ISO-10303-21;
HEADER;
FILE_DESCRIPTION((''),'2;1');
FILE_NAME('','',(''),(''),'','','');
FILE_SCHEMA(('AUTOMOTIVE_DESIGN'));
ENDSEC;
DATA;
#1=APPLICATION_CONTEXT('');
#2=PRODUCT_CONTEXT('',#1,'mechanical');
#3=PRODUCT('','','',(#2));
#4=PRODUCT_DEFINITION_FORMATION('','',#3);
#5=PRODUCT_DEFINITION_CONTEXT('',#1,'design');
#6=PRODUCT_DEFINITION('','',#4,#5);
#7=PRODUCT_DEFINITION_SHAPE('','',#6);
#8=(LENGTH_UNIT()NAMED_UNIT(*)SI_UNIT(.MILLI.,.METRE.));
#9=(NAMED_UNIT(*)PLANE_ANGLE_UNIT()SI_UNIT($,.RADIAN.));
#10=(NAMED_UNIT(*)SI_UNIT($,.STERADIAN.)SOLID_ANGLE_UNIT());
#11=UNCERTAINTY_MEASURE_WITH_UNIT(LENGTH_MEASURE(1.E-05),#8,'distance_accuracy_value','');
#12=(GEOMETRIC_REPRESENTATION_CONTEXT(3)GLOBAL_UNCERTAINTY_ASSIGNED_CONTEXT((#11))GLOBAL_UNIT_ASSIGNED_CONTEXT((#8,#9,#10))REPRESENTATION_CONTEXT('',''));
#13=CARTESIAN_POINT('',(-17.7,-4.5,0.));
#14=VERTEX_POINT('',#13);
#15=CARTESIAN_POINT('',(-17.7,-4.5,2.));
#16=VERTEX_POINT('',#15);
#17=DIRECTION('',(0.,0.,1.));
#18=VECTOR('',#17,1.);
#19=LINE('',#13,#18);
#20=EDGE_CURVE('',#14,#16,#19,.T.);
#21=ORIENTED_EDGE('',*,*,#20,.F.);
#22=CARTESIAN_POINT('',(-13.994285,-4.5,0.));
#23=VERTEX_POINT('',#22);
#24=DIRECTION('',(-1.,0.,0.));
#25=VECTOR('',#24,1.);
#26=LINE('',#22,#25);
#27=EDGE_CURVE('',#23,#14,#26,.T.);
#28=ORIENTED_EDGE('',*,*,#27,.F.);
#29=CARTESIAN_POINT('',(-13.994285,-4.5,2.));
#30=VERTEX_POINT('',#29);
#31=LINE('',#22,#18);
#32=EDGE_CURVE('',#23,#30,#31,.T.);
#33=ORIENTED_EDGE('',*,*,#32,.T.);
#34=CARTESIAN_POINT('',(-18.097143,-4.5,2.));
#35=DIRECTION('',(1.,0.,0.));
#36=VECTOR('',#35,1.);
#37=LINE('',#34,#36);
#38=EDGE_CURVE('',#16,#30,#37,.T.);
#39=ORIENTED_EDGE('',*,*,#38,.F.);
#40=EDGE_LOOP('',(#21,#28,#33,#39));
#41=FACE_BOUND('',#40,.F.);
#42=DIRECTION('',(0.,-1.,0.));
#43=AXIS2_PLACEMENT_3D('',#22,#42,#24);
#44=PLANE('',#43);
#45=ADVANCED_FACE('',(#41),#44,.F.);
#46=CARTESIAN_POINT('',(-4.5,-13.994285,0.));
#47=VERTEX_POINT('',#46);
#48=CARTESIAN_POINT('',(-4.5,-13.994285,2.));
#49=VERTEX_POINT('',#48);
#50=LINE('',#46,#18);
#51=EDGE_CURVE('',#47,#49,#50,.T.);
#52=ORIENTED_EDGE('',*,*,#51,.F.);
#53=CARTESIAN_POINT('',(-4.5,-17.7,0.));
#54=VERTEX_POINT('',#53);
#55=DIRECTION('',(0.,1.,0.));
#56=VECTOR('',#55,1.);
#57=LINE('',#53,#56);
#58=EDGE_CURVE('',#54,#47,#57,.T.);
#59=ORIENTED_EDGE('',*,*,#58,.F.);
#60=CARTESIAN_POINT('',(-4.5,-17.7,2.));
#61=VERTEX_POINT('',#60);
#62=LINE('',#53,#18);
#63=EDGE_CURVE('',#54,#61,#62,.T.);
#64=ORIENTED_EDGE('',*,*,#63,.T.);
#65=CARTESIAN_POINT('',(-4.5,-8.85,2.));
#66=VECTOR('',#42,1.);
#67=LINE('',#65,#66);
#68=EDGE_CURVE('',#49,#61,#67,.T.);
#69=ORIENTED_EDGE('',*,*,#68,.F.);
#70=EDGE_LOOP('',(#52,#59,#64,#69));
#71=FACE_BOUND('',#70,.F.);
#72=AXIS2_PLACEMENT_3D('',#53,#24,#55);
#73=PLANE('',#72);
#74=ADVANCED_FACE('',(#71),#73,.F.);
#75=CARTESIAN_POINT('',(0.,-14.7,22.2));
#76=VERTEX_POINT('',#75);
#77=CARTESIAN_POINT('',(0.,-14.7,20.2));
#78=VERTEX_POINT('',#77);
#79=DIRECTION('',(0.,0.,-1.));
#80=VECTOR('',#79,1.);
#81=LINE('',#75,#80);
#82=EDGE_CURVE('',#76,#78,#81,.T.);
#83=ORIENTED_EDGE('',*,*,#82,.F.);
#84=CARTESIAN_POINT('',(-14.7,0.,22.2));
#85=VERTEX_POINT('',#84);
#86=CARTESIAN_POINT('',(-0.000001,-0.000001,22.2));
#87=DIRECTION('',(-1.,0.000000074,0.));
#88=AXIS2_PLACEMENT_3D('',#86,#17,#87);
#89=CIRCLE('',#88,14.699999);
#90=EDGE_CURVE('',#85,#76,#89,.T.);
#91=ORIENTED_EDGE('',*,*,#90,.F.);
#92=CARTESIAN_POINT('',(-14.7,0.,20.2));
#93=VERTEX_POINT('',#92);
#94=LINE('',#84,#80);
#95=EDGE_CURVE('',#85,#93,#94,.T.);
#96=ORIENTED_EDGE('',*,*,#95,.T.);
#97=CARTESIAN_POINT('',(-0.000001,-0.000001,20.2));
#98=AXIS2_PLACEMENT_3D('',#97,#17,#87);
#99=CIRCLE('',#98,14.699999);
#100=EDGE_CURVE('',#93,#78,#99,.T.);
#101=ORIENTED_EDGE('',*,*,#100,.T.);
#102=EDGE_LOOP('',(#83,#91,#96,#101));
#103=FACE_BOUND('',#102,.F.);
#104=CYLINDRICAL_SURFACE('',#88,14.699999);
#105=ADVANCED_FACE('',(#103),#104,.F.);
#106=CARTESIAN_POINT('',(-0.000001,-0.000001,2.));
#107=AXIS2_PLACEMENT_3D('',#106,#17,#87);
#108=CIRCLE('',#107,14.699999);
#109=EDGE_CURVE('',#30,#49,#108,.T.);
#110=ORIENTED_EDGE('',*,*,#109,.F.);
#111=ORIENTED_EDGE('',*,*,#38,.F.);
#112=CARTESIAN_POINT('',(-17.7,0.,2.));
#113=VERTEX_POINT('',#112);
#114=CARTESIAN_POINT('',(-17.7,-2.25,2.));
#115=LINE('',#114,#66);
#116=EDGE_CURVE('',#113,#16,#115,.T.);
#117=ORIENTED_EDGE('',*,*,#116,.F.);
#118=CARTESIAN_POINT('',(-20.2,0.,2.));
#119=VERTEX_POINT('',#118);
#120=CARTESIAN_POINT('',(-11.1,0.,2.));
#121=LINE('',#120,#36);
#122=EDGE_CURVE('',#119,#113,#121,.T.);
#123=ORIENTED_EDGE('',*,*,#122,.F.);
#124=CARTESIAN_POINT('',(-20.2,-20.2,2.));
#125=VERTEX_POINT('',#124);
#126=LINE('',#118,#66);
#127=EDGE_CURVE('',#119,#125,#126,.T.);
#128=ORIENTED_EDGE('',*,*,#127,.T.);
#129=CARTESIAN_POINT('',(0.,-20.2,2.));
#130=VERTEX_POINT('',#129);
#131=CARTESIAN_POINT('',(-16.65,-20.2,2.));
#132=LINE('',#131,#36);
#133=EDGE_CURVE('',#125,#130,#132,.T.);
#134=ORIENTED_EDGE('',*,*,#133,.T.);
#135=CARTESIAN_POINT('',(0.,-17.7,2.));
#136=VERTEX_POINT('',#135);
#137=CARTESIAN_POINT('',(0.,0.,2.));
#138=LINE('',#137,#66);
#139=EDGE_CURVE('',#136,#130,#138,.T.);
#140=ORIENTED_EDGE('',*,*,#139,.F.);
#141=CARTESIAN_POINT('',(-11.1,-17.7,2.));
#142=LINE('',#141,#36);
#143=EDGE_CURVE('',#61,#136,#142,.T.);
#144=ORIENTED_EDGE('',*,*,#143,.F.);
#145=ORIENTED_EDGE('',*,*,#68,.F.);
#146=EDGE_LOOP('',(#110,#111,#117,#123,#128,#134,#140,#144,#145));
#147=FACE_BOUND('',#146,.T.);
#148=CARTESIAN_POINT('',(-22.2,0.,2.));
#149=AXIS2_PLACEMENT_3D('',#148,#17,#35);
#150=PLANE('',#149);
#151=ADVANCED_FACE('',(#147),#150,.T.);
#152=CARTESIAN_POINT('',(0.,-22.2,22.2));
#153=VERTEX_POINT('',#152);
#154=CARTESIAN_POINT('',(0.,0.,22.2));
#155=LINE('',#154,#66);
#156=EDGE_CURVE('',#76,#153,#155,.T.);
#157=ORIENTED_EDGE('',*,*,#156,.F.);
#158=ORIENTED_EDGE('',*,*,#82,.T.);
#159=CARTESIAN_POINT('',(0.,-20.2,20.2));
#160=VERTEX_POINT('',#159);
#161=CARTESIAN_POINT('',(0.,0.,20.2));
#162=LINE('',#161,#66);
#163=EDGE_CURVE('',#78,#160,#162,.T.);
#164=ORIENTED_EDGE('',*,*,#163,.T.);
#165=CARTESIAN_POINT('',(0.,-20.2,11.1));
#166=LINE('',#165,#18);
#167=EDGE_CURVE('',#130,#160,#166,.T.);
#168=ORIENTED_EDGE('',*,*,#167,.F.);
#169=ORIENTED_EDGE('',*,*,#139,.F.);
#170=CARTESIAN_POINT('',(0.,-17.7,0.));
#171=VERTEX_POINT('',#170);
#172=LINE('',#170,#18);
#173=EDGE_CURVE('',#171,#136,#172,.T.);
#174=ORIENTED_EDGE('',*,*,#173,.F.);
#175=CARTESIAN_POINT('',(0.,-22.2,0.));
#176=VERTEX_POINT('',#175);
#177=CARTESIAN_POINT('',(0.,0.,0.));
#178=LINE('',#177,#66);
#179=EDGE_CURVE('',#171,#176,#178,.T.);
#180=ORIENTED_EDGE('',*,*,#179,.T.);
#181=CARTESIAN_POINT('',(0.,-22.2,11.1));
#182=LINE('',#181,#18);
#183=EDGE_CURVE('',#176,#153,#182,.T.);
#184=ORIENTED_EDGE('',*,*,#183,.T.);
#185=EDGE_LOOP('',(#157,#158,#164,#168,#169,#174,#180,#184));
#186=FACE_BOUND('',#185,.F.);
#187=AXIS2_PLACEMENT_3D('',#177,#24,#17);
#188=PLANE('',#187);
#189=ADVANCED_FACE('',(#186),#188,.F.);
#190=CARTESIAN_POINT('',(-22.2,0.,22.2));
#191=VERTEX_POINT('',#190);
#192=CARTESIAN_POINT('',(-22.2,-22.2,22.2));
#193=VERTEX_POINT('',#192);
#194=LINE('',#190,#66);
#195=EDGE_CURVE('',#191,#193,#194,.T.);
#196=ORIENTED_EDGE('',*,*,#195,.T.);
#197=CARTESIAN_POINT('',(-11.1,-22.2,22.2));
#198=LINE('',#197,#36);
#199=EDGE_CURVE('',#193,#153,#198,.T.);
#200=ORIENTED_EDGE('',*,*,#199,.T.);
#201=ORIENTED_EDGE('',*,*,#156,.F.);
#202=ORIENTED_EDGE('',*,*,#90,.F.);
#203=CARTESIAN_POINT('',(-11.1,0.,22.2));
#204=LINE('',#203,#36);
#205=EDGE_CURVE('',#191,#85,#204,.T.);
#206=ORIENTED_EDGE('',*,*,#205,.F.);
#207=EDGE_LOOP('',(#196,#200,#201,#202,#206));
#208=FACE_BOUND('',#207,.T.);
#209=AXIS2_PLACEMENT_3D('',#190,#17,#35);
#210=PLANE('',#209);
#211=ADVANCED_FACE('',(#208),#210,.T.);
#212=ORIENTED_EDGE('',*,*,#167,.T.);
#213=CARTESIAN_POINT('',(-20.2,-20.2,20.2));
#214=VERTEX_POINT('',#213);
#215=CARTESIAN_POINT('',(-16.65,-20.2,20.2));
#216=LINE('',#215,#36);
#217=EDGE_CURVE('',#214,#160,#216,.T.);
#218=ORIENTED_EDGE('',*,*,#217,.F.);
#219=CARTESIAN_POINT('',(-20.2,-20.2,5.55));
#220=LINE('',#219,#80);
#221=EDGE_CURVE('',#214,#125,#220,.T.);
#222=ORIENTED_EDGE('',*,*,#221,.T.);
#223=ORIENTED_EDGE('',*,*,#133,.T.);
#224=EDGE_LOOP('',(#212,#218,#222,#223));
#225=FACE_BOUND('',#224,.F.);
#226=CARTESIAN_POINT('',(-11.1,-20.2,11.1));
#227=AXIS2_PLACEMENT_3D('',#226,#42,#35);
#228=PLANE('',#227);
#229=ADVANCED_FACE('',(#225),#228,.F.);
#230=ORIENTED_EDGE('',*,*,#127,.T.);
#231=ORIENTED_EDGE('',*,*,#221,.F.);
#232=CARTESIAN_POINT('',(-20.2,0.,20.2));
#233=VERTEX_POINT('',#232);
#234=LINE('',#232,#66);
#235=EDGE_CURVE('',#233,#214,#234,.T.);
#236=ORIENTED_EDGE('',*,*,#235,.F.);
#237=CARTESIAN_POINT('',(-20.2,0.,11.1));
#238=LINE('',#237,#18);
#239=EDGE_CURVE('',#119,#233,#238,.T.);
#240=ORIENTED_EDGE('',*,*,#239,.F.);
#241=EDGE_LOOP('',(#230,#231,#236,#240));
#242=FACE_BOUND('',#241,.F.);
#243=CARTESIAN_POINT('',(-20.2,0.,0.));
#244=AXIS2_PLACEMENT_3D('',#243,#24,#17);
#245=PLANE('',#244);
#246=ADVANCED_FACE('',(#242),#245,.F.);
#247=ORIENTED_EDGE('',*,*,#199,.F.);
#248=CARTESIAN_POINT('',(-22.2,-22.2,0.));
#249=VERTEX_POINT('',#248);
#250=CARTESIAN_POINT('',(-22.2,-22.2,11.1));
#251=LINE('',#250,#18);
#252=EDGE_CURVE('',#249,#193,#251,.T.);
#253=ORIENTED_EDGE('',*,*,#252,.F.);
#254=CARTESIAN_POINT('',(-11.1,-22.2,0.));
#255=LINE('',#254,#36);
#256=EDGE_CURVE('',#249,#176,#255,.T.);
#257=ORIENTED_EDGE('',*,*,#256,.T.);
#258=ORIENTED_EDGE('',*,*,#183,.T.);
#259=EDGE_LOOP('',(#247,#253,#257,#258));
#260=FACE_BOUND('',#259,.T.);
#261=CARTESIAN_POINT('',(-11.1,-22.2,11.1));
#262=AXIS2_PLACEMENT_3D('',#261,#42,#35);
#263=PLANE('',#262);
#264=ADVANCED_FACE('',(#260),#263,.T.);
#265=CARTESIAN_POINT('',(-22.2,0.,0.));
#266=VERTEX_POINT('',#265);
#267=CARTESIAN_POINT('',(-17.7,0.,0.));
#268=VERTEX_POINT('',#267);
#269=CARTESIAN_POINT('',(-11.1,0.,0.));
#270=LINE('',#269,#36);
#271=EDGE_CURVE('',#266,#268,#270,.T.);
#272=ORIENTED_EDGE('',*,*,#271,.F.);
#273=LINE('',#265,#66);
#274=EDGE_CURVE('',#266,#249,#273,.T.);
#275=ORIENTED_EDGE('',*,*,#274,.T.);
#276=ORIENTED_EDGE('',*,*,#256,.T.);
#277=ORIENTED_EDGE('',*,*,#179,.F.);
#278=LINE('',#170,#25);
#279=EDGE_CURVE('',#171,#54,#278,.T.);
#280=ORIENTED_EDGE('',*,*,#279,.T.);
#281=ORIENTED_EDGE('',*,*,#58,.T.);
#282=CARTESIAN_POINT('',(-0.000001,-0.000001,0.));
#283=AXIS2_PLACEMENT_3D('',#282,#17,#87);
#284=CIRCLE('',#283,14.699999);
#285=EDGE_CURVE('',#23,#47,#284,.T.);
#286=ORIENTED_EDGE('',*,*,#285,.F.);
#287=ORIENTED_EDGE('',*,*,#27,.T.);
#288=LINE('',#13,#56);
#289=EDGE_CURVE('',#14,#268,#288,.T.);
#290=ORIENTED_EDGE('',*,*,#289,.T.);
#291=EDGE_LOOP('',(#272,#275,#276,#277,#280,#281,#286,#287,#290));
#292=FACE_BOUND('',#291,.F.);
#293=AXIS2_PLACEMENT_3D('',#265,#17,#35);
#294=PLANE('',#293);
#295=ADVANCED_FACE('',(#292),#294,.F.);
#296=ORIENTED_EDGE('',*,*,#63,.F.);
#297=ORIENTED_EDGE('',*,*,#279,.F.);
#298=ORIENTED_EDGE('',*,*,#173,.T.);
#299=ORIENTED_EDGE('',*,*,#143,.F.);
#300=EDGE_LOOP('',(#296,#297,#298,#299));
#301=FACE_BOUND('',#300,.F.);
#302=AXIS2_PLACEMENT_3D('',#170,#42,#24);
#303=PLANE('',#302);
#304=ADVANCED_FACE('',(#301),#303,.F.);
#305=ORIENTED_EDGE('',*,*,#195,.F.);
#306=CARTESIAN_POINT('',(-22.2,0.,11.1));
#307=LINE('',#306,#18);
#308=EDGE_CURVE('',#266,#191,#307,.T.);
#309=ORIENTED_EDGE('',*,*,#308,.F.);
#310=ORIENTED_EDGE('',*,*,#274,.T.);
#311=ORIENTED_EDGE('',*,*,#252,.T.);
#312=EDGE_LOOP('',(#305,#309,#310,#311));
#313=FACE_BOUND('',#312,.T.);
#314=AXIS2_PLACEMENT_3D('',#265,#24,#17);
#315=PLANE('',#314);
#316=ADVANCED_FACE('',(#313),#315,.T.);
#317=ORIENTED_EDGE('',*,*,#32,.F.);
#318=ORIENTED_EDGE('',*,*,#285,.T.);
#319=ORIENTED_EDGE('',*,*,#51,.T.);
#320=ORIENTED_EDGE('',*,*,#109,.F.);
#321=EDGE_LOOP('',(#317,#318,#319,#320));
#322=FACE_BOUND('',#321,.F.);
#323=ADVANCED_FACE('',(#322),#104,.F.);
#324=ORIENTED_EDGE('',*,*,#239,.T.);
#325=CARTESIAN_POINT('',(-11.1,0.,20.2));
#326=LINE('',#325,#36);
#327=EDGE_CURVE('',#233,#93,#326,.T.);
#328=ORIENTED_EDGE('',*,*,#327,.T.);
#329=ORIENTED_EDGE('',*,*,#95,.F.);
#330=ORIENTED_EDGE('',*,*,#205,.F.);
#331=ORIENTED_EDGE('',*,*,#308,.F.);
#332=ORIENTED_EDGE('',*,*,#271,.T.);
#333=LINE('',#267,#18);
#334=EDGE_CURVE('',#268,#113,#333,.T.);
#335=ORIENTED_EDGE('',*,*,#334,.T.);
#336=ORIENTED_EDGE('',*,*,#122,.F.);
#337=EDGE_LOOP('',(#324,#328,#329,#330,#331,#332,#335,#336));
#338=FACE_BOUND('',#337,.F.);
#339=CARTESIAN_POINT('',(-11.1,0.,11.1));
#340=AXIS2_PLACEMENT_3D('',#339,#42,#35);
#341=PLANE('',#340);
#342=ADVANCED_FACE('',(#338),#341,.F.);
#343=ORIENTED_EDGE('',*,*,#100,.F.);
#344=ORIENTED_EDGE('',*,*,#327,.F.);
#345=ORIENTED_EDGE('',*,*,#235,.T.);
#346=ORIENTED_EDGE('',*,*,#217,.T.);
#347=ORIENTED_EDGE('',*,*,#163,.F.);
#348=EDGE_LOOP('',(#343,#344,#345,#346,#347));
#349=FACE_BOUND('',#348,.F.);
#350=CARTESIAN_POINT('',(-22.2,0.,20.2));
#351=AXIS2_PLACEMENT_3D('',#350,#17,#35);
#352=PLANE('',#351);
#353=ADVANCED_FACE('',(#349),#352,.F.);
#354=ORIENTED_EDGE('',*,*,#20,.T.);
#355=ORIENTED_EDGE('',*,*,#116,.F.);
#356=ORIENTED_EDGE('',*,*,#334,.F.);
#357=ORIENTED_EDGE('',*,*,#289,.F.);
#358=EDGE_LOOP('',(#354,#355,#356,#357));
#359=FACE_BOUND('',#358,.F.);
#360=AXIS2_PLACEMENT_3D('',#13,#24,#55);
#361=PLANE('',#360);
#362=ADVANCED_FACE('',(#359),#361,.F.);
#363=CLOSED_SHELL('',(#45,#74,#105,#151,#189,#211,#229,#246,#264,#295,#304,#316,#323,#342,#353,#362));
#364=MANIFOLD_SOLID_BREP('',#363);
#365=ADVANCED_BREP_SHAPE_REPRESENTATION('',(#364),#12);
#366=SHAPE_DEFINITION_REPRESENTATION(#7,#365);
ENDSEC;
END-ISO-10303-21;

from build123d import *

# Parameters (mm, degrees)
F0_W     = 22.2
F0_H     = 22.2
F1_DEPTH = 22.2
F2_T     = -2
F4_DEPTH = 22.201
F6_DEPTH = 2.5


with BuildPart() as f1:
    # F0 (on Front) → F1 (new body)
    with BuildSketch(Plane.XZ):
        with Locations((-11.1, 11.1)):
            Rectangle(F0_W, F0_H)
    extrude(amount=F1_DEPTH)

    # F2
    f2_openings = [f1.faces().sort_by_distance(p)[0] for p in [
        (0, -11.1, 11.1),
        (-11.1, 0, 11.1),
    ]]
    offset(amount=F2_T, openings=f2_openings)

    # F3 (on face) → F4 (cut, through all)
    with BuildSketch(Plane.XY.offset(22.2)):
        with BuildLine():
            Line((0, 0), (-14.7, 0))
            ThreePointArc((-14.7, 0), (-10.39447, -10.39447), (0, -14.7))
            Line((0, -14.7), (0, 0))
        make_face()
    extrude(amount=-F4_DEPTH, mode=Mode.SUBTRACT)

    # F5 (on face) → F6 (cut)
    with BuildSketch(Plane(origin=(0, 0, 0), x_dir=(1, 0, 0), z_dir=(0, 0, -1))):
        with BuildLine():
            Line((-17.7, 4.5), (-17.7, 0))
            Line((-17.7, 0), (-14.7, 0))
            ThreePointArc((-14.7, 0), (-14.522499, 2.277501), (-13.994285, 4.5))
            Line((-13.994285, 4.5), (-17.7, 4.5))
        make_face()
        with BuildLine():
            Line((0, 14.7), (0, 17.7))
            Line((0, 17.7), (-4.5, 17.7))
            Line((-4.5, 17.7), (-4.5, 13.994285))
            ThreePointArc((-4.5, 13.994285), (-2.277501, 14.522499), (0, 14.7))
        make_face()
    extrude(amount=-F6_DEPTH, mode=Mode.SUBTRACT)


solid = f1.part
